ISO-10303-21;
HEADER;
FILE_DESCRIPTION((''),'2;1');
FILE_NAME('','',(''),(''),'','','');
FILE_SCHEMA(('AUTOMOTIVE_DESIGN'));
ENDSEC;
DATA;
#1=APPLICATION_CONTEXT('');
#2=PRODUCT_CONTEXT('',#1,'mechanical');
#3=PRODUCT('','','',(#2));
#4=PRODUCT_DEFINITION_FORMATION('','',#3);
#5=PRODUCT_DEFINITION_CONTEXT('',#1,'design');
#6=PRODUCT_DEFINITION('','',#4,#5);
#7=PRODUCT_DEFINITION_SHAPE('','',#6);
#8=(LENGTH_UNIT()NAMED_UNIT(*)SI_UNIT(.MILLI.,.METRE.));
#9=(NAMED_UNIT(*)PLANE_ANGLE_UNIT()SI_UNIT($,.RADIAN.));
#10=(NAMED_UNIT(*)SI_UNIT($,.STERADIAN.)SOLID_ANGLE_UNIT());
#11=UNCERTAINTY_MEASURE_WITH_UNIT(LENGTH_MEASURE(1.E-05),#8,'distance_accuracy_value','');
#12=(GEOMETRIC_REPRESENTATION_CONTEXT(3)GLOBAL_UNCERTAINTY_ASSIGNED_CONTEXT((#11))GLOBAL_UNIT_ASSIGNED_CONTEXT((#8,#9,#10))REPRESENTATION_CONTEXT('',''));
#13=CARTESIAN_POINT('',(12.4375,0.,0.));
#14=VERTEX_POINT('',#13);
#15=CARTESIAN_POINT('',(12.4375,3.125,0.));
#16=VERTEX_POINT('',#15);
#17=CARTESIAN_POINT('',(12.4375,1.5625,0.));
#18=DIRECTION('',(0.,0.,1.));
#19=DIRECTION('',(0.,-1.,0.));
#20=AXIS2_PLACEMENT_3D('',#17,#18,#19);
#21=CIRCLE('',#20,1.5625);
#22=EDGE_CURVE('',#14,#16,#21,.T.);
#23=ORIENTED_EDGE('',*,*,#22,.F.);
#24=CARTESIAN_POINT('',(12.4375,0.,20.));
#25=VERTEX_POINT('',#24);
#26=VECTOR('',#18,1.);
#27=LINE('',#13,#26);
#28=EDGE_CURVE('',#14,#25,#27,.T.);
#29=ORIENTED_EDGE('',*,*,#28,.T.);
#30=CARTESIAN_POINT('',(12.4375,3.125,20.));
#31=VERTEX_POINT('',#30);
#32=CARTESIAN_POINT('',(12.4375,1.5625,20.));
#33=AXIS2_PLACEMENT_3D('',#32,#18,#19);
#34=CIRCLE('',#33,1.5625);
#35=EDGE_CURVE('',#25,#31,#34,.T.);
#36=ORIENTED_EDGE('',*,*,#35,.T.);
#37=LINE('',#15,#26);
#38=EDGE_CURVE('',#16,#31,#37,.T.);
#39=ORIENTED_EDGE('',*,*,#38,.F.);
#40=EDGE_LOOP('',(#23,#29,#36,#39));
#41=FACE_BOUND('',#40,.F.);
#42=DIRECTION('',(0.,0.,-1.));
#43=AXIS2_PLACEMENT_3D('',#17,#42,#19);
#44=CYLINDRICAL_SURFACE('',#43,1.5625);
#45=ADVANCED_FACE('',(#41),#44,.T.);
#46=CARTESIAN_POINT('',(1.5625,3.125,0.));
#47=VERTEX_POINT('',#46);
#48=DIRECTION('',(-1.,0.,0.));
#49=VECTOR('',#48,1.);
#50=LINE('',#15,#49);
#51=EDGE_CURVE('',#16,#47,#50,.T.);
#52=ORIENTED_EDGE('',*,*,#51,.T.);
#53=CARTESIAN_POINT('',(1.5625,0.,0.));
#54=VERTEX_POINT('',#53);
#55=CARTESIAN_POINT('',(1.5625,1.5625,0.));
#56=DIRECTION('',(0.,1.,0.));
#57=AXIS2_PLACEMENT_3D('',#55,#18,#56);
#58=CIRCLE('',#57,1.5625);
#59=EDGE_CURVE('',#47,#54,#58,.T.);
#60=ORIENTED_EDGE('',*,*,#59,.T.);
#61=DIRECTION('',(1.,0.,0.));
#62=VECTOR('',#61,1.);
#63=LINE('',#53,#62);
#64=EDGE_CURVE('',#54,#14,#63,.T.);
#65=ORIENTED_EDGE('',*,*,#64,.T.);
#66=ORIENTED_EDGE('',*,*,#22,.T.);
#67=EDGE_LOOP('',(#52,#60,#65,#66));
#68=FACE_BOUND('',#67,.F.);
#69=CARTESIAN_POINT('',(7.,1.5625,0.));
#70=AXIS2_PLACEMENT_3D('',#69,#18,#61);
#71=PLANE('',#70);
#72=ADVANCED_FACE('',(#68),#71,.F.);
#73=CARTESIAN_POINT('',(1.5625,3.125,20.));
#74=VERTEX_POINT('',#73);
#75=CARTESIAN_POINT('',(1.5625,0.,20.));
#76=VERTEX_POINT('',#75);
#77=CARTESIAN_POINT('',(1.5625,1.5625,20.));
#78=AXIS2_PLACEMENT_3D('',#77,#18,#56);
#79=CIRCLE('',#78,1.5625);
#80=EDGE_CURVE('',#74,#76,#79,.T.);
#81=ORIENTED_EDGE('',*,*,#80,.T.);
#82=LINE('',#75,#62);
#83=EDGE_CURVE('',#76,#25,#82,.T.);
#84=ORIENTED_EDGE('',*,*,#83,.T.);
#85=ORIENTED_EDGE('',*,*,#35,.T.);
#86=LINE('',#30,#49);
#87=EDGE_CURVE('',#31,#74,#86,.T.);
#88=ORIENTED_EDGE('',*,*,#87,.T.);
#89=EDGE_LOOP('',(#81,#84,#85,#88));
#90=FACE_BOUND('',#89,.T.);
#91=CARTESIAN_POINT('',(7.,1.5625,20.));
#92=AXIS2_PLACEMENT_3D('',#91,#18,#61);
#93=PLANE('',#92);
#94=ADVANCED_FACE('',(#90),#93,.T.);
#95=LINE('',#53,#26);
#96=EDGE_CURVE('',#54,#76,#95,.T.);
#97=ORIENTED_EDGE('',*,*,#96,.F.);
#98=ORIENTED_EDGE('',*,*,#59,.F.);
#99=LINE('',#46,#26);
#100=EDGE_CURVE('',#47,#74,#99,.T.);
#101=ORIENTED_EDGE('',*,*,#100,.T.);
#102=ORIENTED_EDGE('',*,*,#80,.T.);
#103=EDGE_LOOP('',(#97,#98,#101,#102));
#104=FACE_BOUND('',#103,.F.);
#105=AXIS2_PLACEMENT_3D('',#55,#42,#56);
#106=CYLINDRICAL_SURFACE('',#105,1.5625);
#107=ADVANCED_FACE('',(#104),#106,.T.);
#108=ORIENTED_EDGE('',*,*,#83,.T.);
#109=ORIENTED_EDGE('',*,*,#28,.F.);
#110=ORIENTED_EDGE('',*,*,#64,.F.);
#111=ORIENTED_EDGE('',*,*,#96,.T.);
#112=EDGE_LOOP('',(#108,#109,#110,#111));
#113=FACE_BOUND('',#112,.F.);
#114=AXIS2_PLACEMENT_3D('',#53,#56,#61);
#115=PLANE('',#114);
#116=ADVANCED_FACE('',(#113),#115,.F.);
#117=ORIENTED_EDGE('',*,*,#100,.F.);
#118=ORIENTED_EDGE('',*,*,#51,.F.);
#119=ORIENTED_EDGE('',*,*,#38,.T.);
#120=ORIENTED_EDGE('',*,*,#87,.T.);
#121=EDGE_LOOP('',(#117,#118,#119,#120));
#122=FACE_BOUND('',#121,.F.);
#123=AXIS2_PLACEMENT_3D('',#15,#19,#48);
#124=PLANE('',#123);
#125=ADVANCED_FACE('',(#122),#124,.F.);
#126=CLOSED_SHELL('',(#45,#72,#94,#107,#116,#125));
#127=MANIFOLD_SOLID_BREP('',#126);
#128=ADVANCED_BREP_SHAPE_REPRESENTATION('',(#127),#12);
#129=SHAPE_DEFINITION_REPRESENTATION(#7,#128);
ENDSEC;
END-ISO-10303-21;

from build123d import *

# Parameters (mm, degrees)
PAD_DEPTH = 20


with BuildPart() as part:
    # Sketch → Pad (new body)
    with BuildSketch(Plane.XY):
        with BuildLine():
            Line((1.5625, 0), (12.4375, 0))
            ThreePointArc((12.4375, 0), (14, 1.5625), (12.4375, 3.125))
            Line((12.4375, 3.125), (1.5625, 3.125))
            ThreePointArc((1.5625, 3.125), (0, 1.5625), (1.5625, 0))
        make_face()
    extrude(amount=PAD_DEPTH)


solid = part.part
